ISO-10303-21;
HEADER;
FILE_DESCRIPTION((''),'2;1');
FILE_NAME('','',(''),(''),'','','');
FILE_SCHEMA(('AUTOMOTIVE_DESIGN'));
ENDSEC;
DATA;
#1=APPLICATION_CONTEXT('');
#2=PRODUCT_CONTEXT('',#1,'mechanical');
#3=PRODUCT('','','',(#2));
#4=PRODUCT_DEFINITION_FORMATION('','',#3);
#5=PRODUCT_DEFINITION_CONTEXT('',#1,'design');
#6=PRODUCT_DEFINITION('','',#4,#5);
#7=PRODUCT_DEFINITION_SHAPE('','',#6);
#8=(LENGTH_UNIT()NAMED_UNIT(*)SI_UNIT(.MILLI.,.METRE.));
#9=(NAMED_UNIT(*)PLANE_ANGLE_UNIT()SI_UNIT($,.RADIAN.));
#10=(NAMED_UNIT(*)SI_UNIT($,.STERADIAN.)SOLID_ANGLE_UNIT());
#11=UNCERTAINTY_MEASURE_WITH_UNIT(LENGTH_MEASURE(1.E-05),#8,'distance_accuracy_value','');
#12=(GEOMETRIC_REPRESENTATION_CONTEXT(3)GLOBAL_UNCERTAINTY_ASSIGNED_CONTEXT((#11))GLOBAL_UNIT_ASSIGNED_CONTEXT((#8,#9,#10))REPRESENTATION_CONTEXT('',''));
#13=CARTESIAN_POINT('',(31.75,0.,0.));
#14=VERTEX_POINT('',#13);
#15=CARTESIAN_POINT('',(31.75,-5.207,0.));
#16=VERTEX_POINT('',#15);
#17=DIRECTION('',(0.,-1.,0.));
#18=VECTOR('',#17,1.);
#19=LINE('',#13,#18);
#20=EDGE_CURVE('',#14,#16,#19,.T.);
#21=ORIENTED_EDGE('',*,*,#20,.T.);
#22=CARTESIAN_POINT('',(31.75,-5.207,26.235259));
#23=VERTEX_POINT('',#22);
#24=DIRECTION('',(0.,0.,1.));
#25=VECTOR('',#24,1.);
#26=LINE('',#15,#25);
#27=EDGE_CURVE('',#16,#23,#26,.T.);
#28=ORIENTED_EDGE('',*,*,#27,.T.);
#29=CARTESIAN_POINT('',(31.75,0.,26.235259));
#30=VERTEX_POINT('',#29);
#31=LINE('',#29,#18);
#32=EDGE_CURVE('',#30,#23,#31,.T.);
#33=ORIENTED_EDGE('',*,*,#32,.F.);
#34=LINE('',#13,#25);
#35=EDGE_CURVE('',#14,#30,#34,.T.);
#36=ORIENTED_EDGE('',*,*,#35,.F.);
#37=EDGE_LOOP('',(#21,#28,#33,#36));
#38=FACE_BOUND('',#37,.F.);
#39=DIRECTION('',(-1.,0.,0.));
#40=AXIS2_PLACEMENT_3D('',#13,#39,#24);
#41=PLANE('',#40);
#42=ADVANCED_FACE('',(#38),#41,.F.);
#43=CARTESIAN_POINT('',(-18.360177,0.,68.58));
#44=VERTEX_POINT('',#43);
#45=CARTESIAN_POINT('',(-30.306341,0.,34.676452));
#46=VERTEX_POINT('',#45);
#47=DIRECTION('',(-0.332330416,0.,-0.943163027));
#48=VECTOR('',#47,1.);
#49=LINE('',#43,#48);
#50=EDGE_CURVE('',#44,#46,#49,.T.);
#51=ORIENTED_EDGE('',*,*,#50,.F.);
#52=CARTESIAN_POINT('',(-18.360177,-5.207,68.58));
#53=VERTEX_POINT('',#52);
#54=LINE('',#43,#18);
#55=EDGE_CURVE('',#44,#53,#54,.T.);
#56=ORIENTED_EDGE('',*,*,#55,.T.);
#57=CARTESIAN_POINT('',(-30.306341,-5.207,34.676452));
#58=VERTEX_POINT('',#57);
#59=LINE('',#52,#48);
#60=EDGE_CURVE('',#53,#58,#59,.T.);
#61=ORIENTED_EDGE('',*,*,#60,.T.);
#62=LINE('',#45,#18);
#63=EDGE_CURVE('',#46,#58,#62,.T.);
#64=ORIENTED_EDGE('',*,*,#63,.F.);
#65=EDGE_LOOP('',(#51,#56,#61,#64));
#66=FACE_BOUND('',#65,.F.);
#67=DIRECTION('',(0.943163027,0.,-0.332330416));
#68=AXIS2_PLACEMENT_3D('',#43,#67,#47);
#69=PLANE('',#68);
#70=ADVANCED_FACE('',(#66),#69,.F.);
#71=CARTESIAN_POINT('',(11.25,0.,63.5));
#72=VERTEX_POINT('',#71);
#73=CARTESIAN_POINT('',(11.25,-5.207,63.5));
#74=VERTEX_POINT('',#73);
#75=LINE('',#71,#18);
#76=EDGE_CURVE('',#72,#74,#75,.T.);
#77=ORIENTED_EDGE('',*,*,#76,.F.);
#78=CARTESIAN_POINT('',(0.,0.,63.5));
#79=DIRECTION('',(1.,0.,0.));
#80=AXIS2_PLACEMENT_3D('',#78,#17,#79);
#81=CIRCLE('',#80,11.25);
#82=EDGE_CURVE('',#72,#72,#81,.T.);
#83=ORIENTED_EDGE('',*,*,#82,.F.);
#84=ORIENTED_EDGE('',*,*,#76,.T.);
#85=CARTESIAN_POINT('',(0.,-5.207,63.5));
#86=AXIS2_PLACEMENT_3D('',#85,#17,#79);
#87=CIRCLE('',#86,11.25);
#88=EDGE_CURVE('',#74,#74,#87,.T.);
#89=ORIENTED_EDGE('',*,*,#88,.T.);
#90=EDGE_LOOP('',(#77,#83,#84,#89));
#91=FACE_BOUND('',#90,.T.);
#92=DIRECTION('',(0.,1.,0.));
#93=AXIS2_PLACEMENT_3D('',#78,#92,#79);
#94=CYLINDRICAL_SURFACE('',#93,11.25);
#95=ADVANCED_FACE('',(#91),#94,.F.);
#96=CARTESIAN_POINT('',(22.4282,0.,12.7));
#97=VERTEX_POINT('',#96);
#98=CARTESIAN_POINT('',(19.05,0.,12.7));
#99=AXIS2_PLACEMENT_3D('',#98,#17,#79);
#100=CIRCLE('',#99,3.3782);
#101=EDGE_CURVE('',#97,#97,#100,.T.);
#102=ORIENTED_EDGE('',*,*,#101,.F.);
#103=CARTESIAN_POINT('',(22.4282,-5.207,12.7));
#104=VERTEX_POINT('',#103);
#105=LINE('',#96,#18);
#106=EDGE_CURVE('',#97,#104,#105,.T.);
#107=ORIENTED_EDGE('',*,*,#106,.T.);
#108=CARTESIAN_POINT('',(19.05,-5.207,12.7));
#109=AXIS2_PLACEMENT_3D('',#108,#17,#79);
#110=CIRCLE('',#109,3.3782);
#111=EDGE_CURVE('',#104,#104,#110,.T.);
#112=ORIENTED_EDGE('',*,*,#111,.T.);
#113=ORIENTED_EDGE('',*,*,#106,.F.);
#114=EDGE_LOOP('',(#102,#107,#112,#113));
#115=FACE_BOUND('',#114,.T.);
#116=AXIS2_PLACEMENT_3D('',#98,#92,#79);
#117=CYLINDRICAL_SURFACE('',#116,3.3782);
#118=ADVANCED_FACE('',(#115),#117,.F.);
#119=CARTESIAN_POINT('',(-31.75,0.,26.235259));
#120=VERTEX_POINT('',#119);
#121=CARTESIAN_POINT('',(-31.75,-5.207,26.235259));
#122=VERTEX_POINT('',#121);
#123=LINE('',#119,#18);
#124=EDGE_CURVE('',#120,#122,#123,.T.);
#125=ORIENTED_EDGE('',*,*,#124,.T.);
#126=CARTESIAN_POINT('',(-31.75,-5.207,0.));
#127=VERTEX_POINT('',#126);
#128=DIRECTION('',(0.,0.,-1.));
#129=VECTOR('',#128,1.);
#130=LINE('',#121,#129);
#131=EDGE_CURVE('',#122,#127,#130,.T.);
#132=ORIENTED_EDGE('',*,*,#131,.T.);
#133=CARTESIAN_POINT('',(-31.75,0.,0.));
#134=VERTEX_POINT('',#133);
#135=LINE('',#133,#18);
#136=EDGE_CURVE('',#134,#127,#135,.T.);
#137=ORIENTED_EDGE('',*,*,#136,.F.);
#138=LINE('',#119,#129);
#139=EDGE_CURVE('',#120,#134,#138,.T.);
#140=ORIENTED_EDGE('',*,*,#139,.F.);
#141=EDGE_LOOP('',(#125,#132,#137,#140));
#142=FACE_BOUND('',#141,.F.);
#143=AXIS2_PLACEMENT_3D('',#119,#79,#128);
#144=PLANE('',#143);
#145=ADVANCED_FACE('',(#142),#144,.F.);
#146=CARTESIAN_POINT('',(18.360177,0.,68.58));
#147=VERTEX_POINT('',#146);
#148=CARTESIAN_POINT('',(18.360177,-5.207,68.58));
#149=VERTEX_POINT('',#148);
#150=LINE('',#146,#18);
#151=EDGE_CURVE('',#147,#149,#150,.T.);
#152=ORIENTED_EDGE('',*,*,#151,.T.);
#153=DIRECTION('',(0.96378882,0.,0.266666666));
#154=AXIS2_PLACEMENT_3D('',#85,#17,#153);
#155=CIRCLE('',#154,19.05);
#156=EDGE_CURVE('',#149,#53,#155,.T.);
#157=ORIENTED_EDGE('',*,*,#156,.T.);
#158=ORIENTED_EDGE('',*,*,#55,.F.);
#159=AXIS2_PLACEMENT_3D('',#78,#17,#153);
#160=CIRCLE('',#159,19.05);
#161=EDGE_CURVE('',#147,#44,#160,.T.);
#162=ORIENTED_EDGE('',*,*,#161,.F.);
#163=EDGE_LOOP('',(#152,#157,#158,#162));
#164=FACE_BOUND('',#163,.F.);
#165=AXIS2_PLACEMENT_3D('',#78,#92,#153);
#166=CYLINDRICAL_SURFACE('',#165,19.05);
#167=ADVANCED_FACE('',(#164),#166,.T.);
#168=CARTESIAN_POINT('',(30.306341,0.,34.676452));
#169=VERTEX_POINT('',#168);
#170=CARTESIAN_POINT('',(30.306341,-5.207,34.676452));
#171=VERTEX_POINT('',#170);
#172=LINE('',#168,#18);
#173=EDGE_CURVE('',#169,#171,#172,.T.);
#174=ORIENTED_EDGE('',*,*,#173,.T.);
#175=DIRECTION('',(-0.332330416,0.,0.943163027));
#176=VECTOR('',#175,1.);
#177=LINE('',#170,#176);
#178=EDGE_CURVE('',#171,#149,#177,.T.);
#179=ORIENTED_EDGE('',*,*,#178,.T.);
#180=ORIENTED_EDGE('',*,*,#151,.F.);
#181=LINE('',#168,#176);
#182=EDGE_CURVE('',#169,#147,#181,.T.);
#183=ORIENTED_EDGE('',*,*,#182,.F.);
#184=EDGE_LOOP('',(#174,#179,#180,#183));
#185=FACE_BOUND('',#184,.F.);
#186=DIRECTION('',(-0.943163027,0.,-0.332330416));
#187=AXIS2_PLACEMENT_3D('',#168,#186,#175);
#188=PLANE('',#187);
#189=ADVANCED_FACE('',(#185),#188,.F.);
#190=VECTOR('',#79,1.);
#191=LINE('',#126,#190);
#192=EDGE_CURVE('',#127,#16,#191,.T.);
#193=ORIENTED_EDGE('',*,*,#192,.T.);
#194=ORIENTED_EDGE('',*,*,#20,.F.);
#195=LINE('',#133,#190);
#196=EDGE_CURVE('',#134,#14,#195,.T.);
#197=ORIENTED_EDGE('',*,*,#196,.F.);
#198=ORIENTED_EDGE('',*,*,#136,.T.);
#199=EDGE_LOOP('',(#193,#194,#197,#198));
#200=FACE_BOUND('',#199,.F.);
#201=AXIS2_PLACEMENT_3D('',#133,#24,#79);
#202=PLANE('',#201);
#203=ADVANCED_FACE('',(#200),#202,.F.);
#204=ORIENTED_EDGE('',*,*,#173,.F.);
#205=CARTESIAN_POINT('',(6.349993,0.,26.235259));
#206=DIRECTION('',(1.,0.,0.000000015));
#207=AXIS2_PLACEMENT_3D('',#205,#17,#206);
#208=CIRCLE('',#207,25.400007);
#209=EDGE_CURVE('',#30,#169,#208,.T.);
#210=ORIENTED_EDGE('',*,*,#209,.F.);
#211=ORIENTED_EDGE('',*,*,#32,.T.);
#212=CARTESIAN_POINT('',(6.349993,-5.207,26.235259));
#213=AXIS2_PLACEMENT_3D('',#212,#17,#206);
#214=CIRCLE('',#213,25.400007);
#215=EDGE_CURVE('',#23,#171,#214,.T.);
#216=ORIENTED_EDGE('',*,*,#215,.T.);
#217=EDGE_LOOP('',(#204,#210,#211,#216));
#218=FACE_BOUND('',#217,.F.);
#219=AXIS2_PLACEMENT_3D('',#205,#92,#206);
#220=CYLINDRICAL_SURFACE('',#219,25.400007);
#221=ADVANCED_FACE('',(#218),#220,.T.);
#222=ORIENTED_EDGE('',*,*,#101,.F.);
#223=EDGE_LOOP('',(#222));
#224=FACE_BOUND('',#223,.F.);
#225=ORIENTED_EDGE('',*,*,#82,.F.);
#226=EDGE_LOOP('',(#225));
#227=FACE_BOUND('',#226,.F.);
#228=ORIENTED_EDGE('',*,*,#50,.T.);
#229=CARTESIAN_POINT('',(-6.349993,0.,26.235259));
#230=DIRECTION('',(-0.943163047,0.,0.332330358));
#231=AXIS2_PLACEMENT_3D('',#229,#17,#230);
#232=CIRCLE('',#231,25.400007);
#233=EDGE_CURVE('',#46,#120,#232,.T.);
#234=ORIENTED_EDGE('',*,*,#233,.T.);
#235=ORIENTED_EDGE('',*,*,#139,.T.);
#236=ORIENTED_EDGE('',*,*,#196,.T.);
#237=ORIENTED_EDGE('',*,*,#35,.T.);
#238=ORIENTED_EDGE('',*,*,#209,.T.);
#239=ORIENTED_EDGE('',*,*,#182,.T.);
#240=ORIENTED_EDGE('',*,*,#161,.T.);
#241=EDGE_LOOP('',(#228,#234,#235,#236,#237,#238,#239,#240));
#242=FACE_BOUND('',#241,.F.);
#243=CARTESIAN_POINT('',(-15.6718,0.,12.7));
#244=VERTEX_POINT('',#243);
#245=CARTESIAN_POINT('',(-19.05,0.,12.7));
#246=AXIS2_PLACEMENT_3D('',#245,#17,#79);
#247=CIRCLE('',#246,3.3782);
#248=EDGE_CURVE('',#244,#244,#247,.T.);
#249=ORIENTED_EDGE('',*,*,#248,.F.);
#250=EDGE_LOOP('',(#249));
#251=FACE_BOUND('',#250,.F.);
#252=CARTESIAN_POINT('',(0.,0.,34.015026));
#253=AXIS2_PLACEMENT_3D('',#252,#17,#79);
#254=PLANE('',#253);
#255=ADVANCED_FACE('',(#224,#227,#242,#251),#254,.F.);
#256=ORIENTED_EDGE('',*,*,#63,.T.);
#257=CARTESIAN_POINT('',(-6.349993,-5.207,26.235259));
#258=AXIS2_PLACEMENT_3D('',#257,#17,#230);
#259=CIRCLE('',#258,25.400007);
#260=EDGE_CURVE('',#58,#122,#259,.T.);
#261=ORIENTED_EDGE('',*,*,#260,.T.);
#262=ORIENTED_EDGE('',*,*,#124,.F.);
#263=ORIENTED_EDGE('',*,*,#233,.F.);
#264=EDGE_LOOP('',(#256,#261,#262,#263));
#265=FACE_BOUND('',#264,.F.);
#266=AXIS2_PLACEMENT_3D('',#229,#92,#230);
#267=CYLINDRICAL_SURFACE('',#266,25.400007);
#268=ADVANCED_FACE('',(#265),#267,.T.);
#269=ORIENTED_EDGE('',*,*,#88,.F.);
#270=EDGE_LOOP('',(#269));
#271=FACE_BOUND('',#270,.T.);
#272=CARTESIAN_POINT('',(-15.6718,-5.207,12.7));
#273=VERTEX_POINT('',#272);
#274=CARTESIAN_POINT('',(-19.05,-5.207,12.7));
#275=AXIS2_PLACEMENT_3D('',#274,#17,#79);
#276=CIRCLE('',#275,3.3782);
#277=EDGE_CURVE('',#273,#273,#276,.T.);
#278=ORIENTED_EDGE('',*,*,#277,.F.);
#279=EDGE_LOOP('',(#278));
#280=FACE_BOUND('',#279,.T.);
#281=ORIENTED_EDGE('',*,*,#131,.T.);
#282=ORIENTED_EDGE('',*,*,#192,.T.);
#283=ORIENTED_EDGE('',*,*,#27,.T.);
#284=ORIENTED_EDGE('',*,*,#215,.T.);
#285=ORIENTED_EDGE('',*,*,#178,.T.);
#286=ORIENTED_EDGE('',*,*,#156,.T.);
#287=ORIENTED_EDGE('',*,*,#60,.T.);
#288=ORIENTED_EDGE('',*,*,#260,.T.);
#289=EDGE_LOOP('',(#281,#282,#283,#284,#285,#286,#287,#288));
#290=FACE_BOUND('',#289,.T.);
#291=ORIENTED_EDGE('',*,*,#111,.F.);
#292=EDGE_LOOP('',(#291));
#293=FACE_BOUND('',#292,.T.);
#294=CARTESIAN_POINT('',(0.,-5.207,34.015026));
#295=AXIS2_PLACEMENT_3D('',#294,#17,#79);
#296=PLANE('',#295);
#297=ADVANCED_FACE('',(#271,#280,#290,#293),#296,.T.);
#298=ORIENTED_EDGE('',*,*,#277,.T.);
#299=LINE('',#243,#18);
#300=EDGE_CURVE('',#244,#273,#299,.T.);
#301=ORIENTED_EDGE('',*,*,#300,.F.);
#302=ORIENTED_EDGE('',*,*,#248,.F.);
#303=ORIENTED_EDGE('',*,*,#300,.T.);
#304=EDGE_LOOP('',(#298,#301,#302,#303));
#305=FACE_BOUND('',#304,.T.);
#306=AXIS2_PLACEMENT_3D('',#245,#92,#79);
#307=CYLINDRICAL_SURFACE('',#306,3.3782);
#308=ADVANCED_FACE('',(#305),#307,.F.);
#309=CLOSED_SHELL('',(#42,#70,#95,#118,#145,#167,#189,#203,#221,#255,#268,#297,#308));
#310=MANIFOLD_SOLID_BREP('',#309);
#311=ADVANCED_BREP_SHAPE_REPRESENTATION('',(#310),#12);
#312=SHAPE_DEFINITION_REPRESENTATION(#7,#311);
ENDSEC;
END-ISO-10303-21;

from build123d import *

# Parameters (mm, degrees)
F0_R     = 3.3782
F0_R_2   = 11.25
F1_DEPTH = 5.207


with BuildPart() as f1:
    # F0 (on Front) → F1 (new body)
    with BuildSketch(Plane.XZ):
        with BuildLine():
            Line((-31.75, 26.235259), (-31.75, 0))
            Line((-31.75, 0), (31.75, 0))
            Line((31.75, 0), (31.75, 26.235259))
            ThreePointArc((31.75, 26.235259), (31.386484, 30.517136), (30.306341, 34.676452))
            Line((30.306341, 34.676452), (18.360177, 68.58))
            ThreePointArc((18.360177, 68.58), (0, 82.55), (-18.360177, 68.58))
            Line((-18.360177, 68.58), (-30.306341, 34.676452))
            ThreePointArc((-30.306341, 34.676452), (-31.386484, 30.517136), (-31.75, 26.235259))
        make_face()
        with Locations((-19.05, 12.7)):
            Circle(F0_R, mode=Mode.SUBTRACT)
        with Locations((19.05, 12.7)):
            Circle(F0_R, mode=Mode.SUBTRACT)
        with Locations((0, 63.5)):
            Circle(F0_R_2, mode=Mode.SUBTRACT)
    extrude(amount=F1_DEPTH)


solid = f1.part
